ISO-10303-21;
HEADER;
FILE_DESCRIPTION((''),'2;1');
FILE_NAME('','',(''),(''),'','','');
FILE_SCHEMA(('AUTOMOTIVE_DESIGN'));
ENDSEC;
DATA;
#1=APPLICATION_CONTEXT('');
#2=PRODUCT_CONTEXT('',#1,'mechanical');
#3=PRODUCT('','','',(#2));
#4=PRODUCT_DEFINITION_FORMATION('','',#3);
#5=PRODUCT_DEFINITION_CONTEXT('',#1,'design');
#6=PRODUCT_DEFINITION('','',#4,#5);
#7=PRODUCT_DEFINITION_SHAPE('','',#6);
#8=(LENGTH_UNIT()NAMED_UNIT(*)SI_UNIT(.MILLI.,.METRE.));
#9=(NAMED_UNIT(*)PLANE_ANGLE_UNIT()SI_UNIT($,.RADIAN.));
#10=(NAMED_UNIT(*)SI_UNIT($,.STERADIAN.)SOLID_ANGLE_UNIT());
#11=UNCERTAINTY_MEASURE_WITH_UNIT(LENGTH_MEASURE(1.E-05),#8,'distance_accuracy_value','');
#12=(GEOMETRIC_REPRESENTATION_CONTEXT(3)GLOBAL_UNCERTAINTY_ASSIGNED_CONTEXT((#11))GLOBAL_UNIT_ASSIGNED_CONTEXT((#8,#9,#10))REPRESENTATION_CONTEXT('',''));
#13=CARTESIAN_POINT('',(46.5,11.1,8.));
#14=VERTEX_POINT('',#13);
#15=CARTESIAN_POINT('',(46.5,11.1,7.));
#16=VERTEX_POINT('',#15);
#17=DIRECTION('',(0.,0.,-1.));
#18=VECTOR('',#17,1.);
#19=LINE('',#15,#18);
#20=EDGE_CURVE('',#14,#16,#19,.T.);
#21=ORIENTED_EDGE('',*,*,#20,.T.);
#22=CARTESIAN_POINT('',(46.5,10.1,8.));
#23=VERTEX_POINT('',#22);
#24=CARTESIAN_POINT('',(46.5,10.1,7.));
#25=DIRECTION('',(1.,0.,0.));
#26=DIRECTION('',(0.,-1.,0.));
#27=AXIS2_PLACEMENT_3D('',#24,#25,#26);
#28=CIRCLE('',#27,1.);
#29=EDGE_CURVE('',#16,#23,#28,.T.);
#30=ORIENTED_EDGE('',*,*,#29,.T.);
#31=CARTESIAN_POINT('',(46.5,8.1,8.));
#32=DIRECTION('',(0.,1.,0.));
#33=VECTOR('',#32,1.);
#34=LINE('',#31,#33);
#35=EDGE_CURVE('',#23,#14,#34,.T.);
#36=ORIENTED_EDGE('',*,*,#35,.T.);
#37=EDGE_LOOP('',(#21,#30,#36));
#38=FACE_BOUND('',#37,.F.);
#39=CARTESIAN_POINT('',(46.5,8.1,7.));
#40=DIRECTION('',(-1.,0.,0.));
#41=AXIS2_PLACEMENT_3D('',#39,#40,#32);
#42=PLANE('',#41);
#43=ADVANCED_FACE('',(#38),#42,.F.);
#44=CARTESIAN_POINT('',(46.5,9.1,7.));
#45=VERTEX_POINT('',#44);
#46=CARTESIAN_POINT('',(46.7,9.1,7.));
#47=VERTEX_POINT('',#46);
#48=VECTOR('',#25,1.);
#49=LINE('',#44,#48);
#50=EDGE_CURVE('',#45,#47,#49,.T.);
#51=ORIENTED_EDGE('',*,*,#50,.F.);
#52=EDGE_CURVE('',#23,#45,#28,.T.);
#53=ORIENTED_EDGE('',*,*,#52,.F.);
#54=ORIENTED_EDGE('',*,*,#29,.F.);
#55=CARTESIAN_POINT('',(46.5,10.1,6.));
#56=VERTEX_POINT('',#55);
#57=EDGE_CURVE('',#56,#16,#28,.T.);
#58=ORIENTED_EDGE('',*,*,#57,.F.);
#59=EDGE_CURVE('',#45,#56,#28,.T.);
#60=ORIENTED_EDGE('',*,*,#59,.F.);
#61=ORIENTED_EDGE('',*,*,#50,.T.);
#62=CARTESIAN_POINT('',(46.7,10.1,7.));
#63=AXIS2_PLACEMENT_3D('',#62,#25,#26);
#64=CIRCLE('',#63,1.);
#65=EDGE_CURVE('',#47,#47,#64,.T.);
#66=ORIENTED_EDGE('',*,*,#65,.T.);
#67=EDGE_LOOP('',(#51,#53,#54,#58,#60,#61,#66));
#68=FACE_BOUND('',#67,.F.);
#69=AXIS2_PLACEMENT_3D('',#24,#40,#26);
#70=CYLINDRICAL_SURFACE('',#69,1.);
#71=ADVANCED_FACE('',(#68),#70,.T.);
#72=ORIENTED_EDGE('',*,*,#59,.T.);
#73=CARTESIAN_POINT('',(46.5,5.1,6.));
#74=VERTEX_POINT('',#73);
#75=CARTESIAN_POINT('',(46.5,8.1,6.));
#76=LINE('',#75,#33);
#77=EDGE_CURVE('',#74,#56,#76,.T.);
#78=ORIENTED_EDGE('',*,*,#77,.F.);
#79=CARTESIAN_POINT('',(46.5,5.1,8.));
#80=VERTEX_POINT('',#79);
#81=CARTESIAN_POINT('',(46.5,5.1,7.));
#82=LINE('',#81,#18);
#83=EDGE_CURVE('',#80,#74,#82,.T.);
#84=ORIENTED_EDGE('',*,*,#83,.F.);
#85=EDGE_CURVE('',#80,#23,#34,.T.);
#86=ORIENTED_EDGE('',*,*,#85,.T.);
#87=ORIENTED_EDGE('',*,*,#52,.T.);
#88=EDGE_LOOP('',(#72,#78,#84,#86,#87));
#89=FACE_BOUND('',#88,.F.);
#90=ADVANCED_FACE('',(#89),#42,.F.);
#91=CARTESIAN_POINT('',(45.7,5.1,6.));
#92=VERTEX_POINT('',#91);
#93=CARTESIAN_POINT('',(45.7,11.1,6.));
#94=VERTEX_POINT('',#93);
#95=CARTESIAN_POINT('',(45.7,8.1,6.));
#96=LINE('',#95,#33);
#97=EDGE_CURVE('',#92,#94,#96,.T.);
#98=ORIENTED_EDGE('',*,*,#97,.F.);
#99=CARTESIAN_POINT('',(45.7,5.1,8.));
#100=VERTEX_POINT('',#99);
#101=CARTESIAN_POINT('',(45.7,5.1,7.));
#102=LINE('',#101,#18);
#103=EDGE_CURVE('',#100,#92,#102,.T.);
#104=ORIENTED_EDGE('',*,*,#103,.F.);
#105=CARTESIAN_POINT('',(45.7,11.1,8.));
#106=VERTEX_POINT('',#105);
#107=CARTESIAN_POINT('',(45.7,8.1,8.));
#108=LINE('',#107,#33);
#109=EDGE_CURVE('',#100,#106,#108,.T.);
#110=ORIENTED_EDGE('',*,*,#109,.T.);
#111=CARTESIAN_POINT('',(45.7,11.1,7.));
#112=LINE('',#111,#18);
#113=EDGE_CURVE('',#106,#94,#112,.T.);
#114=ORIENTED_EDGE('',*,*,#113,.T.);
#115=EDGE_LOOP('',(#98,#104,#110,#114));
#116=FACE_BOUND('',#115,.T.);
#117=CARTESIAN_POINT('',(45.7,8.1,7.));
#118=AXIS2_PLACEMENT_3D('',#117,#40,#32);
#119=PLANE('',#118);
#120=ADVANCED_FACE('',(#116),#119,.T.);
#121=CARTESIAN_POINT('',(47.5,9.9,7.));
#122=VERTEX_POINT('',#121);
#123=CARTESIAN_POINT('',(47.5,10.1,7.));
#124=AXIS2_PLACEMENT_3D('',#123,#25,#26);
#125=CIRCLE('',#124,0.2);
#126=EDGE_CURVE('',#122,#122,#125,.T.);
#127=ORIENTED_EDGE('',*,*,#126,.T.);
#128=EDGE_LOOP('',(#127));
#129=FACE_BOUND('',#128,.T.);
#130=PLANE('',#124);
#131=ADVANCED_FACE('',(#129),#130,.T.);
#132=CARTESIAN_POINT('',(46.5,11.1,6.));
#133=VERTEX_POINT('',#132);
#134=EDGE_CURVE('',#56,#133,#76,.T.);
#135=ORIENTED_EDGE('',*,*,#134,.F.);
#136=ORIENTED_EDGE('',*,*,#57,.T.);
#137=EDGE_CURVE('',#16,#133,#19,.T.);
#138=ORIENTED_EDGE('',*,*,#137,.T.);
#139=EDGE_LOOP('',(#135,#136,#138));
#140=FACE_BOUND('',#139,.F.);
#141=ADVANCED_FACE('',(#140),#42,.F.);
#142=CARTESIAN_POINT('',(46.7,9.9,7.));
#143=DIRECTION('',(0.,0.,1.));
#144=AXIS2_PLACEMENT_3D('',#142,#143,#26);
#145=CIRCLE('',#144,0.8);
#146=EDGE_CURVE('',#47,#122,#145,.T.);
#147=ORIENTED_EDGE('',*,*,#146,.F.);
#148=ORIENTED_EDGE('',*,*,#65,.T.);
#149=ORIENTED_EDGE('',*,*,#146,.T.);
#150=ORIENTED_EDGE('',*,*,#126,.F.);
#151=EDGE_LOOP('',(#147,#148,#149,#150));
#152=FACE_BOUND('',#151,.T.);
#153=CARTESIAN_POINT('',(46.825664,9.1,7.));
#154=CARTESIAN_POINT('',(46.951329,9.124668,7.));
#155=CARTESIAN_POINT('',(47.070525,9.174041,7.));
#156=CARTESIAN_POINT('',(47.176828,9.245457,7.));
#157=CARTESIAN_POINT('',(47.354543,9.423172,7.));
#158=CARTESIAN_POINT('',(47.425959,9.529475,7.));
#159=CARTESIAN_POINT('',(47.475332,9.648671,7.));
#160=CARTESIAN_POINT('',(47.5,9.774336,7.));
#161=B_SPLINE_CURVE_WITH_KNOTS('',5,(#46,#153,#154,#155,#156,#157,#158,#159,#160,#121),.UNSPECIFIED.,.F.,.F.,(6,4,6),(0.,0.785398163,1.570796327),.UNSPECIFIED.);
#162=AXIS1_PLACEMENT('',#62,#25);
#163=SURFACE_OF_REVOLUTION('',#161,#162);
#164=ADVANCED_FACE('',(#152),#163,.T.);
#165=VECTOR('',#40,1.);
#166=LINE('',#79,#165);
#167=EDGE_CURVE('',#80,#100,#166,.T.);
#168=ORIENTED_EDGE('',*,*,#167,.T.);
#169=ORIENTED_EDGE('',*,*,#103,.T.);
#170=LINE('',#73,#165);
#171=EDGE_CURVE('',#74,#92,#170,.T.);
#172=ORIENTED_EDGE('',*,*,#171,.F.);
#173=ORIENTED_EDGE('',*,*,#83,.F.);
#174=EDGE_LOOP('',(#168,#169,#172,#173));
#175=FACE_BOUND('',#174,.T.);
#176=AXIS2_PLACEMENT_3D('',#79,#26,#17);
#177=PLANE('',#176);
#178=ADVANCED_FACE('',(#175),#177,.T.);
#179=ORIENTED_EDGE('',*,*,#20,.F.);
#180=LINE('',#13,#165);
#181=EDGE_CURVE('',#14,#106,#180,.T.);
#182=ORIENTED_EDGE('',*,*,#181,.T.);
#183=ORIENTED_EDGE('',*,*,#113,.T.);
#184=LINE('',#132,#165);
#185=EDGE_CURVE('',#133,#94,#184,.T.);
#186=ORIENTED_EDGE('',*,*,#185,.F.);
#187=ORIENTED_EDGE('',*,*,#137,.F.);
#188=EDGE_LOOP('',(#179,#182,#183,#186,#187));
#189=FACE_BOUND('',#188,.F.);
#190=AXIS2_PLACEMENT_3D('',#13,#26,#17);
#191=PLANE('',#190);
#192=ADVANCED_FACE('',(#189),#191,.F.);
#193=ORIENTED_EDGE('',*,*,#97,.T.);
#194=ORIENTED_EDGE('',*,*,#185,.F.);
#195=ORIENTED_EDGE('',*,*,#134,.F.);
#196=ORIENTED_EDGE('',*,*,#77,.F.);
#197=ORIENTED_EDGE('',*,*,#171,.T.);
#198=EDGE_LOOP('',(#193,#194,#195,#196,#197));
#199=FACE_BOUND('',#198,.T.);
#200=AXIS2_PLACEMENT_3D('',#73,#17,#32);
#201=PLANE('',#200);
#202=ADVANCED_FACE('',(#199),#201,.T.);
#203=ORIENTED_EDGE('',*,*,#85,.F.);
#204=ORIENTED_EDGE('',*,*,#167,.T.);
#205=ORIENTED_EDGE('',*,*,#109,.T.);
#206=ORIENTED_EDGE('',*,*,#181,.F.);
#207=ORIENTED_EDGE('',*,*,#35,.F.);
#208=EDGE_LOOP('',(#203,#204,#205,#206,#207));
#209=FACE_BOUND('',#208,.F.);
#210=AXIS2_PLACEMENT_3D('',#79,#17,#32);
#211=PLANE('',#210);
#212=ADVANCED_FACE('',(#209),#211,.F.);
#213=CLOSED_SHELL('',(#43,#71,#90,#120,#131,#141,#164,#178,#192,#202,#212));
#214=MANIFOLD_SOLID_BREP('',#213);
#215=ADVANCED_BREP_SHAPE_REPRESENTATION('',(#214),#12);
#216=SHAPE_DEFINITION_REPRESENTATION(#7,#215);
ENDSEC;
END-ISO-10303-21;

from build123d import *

# Parameters (mm, degrees)
SKETCH019_W             = 6
SKETCH019_H             = 2
PAD002_DEPTH            = 0.8
SKETCH020_R             = 1
PAD003_DEPTH            = 1
FILLET002_R             = 0.8
BODY006_PLACEMENT_ANGLE = 180


with BuildPart() as part:
    # Sketch019 → Pad002 (new body)
    with BuildSketch(Plane(origin=(-3, 16, 14), x_dir=(0, -1, 0), z_dir=(1, 0, 0))):
        with Locations((3, 1)):
            Rectangle(SKETCH019_W, SKETCH019_H)
    extrude(amount=PAD002_DEPTH)

    # Sketch020 (on Face5 of Pad002) → Pad003 (join)
    with BuildSketch(Plane(origin=(-3, 0, 0), x_dir=(0, 1, 0), z_dir=(-1, 0, 0))):
        with Locations((11, -13)):
            Circle(SKETCH020_R)
    extrude(amount=PAD003_DEPTH)

    # Fillet002
    fillet002_edges = [part.edges().sort_by_distance(p)[0] for p in [
        (-4, 10, 13),
    ]]
    fillet(fillet002_edges, radius=FILLET002_R)


with BuildPart() as part_1:
    # Body002 placement: moved
    add(part.part.moved(Location((-16, 0, 0))))


with BuildPart() as part_2:
    # Body006 placement: moved
    add(part_1.part.moved(Location((27.5, 21.1, -6))).rotate(Axis((27.5, 21.1, -6), (0, 0, 1)), BODY006_PLACEMENT_ANGLE))


solid = part_2.part
